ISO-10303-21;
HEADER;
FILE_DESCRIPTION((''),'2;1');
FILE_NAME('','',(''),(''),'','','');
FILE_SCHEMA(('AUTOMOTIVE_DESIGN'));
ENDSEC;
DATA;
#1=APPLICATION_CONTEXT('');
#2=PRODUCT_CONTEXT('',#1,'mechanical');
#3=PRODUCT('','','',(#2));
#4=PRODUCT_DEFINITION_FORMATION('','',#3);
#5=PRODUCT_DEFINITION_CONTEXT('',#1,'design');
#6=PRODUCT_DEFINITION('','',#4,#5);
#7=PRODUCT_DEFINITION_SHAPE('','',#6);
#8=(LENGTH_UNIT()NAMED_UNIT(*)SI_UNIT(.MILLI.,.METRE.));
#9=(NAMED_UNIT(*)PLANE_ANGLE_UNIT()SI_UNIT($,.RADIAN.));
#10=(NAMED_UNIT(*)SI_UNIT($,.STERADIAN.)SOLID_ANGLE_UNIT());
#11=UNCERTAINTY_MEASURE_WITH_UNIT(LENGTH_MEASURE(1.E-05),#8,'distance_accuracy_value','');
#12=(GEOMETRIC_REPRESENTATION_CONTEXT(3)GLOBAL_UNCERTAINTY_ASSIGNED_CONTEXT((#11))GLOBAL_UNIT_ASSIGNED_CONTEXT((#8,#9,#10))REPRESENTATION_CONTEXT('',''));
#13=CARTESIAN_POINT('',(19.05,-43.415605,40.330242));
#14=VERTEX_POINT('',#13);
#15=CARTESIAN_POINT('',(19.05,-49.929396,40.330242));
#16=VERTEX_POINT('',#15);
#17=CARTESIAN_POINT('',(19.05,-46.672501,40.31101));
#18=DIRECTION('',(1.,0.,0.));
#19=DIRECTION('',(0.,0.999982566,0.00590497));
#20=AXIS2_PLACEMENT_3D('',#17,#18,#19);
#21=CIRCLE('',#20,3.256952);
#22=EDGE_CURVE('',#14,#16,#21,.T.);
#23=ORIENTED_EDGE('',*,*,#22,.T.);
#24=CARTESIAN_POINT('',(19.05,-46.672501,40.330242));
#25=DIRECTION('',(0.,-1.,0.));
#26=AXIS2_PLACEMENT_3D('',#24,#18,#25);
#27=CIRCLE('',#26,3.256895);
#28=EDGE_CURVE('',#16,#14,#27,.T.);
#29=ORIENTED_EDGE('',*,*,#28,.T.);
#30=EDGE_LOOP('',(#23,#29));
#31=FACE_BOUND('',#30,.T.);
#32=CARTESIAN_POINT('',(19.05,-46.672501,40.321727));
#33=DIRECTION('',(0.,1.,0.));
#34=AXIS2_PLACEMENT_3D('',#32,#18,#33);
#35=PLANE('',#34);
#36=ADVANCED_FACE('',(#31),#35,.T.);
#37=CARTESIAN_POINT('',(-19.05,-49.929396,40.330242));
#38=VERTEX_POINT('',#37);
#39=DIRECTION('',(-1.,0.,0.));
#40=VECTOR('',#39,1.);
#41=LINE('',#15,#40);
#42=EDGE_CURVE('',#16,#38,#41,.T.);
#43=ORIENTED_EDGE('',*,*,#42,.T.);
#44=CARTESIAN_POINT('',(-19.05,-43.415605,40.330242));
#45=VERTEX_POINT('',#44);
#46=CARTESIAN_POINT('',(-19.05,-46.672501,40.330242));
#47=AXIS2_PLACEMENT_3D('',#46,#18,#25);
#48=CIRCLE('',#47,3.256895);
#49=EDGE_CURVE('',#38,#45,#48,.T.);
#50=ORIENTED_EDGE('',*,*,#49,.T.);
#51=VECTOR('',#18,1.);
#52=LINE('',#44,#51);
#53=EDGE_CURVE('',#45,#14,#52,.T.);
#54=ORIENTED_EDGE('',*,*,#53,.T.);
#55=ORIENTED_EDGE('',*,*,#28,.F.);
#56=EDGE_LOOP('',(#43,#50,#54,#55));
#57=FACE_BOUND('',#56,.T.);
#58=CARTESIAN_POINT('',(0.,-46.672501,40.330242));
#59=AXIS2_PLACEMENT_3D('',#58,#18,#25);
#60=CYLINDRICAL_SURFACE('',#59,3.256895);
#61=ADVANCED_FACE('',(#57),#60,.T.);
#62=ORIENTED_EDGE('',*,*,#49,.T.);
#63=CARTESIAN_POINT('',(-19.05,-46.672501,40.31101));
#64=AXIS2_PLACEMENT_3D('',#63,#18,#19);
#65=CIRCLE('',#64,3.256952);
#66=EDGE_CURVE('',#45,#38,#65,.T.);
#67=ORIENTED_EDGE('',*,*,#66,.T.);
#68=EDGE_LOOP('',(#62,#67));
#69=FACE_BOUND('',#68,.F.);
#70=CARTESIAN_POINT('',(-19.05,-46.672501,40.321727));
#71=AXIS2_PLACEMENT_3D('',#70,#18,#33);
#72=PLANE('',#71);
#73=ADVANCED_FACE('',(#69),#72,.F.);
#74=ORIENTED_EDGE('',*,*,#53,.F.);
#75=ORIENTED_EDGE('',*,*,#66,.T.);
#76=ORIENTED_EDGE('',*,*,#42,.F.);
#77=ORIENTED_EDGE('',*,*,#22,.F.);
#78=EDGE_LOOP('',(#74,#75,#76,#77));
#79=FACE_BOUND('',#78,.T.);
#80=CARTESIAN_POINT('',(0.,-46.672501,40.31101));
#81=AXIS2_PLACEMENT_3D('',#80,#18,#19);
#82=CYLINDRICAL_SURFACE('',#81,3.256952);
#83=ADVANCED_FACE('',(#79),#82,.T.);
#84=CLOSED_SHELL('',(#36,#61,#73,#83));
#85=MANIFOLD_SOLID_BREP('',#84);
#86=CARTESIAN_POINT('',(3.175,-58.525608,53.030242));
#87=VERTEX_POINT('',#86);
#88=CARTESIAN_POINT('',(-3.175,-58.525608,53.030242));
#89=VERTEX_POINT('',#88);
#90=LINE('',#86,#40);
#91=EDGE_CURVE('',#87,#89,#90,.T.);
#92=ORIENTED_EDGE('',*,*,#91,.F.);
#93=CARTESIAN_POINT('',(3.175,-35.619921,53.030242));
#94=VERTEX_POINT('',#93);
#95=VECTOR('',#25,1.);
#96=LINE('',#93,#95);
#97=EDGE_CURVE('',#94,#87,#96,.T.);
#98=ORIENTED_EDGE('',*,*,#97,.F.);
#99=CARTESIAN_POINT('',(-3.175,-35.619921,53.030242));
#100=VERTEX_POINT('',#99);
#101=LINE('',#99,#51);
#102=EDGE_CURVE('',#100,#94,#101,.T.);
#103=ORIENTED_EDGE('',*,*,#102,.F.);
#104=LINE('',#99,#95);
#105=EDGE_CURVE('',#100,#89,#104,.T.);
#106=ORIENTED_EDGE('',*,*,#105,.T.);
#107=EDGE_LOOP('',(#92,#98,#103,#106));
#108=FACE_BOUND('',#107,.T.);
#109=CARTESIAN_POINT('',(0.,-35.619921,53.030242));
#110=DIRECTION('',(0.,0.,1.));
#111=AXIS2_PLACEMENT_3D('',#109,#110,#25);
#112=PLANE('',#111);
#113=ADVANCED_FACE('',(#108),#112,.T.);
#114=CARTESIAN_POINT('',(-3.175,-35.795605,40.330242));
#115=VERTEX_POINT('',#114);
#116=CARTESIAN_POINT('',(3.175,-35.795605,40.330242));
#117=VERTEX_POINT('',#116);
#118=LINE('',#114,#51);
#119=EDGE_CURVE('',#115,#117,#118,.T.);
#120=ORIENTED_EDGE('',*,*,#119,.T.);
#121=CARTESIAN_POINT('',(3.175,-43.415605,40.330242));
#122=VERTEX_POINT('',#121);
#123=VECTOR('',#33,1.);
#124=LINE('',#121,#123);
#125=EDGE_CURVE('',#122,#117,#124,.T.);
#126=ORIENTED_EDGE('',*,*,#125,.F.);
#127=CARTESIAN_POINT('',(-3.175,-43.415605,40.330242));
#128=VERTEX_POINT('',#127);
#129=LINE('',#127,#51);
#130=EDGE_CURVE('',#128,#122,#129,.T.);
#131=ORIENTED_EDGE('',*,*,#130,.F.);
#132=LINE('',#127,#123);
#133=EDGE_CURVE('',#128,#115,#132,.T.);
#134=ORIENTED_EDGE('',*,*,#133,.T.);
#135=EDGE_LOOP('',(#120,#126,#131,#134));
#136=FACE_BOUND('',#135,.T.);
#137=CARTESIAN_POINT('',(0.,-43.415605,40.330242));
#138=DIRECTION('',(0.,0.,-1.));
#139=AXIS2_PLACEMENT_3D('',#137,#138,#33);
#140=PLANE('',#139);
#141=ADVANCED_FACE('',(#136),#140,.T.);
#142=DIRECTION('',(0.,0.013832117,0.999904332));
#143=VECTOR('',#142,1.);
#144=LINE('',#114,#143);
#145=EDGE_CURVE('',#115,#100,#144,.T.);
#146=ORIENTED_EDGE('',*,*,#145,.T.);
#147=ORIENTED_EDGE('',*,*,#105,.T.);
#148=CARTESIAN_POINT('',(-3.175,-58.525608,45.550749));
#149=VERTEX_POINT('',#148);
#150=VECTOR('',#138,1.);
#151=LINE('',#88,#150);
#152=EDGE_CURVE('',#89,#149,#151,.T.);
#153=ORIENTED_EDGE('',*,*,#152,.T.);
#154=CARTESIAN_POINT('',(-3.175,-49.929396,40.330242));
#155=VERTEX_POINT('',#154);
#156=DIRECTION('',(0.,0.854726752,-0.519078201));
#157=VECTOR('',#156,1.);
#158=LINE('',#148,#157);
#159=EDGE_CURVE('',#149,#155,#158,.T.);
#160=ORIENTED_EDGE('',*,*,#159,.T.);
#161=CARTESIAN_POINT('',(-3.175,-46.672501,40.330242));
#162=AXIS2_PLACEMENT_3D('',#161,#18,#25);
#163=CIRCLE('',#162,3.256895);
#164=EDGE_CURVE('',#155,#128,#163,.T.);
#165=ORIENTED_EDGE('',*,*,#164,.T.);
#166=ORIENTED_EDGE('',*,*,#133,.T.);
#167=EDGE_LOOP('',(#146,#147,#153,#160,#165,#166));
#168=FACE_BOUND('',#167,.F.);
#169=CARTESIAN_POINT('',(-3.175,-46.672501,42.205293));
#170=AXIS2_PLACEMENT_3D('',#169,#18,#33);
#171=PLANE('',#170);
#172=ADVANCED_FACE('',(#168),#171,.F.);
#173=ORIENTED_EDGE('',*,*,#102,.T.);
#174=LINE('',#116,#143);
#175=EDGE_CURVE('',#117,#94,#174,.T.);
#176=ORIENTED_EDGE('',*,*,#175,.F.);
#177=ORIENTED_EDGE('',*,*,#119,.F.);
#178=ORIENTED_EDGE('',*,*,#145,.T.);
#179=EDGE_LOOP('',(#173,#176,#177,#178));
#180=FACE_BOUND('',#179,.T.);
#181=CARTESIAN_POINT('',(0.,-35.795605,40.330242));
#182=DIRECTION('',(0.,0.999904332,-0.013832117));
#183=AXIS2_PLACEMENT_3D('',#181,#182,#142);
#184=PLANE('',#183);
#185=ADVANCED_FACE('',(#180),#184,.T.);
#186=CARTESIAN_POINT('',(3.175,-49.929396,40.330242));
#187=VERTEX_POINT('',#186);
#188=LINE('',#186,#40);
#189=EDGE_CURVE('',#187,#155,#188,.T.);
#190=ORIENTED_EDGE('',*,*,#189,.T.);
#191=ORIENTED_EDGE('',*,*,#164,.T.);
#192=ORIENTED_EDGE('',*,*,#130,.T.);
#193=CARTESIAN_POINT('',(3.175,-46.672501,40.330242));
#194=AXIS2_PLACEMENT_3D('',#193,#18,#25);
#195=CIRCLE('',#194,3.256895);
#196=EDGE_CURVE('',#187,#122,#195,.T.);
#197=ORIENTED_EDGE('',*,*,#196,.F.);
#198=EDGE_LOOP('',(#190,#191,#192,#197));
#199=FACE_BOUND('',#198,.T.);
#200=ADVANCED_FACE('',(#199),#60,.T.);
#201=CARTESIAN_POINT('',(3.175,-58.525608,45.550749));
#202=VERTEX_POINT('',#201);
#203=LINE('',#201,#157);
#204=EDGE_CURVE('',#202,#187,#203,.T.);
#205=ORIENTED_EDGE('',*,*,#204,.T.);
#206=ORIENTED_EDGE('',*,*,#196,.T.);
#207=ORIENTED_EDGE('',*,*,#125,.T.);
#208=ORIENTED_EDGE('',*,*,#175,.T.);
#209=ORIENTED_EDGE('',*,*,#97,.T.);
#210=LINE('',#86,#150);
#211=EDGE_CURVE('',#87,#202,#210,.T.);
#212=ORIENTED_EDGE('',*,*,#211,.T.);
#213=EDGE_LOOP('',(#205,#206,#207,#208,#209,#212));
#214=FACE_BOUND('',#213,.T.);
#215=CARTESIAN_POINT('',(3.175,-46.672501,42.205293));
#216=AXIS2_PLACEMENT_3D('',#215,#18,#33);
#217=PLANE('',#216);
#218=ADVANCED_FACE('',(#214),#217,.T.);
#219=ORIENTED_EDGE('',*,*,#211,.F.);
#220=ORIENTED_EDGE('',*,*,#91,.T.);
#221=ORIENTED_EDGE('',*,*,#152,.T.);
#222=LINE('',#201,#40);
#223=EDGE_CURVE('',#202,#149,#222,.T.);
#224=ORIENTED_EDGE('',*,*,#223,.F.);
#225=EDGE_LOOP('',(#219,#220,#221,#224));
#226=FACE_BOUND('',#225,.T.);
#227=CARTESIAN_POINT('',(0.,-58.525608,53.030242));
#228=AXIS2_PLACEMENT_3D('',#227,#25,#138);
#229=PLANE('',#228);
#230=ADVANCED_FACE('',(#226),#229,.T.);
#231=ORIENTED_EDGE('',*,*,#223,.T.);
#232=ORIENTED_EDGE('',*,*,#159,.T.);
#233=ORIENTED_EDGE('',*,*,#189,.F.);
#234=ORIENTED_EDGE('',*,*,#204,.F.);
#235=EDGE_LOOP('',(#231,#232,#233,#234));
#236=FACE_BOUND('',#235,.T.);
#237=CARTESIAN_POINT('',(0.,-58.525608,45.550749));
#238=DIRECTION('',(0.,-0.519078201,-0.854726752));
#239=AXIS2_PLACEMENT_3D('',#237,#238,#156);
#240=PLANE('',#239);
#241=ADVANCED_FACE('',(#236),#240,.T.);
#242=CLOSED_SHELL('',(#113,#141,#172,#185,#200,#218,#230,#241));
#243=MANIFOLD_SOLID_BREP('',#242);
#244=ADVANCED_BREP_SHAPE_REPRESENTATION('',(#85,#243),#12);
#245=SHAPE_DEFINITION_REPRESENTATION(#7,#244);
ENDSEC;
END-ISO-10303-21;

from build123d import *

# Parameters (mm, degrees)
F1_DEPTH = 19.05
F2_DEPTH = 3.175


with BuildPart() as f1:
    # F0 (on Right) → F1 (new body, symmetric)
    with BuildSketch(Plane.YZ):
        with BuildLine():
            ThreePointArc((-49.9293961003, 40.3302423656), (-46.67250067, 37.0733469353), (-43.4156052396, 40.3302423656))
            ThreePointArc((-43.4156052396, 40.3302423656), (-46.67250067, 43.5679623749), (-49.9293961003, 40.3302423656))
        make_face()
    extrude(amount=F1_DEPTH, both=True)


with BuildPart() as f2:
    # F0 (on Right) → F2 (new body, symmetric)
    with BuildSketch(Plane.YZ):
        with BuildLine():
            ThreePointArc((-49.9293961003, 40.3302423656), (-46.67250067, 43.5679623749), (-43.4156052396, 40.3302423656))
            ThreePointArc((-43.4156052396, 40.3302423656), (-46.67250067, 43.5871377959), (-49.9293961003, 40.3302423656))
        make_face()
        with BuildLine():
            ThreePointArc((-49.9293961003, 40.3302423656), (-46.67250067, 37.0733469353), (-43.4156052396, 40.3302423656))
            ThreePointArc((-43.4156052396, 40.3302423656), (-46.67250067, 43.5679623749), (-49.9293961003, 40.3302423656))
        make_face()
        with BuildLine():
            ThreePointArc((-49.9293961003, 40.3302423656), (-46.67250067, 43.5871377959), (-43.4156052396, 40.3302423656))
            Line((-43.4156052396, 40.3302423656), (-35.7956052396, 40.3302423656))
            Line((-35.7956052396, 40.3302423656), (-35.6199205491, 53.0302423656))
            Line((-35.6199205491, 53.0302423656), (-58.525608423, 53.0302423656))
            Line((-58.525608423, 53.0302423656), (-58.525608423, 45.5507487059))
            Line((-58.525608423, 45.5507487059), (-49.9293961003, 40.3302423656))
        make_face()
    extrude(amount=F2_DEPTH, both=True)


solid = Compound([f1.part, f2.part])
